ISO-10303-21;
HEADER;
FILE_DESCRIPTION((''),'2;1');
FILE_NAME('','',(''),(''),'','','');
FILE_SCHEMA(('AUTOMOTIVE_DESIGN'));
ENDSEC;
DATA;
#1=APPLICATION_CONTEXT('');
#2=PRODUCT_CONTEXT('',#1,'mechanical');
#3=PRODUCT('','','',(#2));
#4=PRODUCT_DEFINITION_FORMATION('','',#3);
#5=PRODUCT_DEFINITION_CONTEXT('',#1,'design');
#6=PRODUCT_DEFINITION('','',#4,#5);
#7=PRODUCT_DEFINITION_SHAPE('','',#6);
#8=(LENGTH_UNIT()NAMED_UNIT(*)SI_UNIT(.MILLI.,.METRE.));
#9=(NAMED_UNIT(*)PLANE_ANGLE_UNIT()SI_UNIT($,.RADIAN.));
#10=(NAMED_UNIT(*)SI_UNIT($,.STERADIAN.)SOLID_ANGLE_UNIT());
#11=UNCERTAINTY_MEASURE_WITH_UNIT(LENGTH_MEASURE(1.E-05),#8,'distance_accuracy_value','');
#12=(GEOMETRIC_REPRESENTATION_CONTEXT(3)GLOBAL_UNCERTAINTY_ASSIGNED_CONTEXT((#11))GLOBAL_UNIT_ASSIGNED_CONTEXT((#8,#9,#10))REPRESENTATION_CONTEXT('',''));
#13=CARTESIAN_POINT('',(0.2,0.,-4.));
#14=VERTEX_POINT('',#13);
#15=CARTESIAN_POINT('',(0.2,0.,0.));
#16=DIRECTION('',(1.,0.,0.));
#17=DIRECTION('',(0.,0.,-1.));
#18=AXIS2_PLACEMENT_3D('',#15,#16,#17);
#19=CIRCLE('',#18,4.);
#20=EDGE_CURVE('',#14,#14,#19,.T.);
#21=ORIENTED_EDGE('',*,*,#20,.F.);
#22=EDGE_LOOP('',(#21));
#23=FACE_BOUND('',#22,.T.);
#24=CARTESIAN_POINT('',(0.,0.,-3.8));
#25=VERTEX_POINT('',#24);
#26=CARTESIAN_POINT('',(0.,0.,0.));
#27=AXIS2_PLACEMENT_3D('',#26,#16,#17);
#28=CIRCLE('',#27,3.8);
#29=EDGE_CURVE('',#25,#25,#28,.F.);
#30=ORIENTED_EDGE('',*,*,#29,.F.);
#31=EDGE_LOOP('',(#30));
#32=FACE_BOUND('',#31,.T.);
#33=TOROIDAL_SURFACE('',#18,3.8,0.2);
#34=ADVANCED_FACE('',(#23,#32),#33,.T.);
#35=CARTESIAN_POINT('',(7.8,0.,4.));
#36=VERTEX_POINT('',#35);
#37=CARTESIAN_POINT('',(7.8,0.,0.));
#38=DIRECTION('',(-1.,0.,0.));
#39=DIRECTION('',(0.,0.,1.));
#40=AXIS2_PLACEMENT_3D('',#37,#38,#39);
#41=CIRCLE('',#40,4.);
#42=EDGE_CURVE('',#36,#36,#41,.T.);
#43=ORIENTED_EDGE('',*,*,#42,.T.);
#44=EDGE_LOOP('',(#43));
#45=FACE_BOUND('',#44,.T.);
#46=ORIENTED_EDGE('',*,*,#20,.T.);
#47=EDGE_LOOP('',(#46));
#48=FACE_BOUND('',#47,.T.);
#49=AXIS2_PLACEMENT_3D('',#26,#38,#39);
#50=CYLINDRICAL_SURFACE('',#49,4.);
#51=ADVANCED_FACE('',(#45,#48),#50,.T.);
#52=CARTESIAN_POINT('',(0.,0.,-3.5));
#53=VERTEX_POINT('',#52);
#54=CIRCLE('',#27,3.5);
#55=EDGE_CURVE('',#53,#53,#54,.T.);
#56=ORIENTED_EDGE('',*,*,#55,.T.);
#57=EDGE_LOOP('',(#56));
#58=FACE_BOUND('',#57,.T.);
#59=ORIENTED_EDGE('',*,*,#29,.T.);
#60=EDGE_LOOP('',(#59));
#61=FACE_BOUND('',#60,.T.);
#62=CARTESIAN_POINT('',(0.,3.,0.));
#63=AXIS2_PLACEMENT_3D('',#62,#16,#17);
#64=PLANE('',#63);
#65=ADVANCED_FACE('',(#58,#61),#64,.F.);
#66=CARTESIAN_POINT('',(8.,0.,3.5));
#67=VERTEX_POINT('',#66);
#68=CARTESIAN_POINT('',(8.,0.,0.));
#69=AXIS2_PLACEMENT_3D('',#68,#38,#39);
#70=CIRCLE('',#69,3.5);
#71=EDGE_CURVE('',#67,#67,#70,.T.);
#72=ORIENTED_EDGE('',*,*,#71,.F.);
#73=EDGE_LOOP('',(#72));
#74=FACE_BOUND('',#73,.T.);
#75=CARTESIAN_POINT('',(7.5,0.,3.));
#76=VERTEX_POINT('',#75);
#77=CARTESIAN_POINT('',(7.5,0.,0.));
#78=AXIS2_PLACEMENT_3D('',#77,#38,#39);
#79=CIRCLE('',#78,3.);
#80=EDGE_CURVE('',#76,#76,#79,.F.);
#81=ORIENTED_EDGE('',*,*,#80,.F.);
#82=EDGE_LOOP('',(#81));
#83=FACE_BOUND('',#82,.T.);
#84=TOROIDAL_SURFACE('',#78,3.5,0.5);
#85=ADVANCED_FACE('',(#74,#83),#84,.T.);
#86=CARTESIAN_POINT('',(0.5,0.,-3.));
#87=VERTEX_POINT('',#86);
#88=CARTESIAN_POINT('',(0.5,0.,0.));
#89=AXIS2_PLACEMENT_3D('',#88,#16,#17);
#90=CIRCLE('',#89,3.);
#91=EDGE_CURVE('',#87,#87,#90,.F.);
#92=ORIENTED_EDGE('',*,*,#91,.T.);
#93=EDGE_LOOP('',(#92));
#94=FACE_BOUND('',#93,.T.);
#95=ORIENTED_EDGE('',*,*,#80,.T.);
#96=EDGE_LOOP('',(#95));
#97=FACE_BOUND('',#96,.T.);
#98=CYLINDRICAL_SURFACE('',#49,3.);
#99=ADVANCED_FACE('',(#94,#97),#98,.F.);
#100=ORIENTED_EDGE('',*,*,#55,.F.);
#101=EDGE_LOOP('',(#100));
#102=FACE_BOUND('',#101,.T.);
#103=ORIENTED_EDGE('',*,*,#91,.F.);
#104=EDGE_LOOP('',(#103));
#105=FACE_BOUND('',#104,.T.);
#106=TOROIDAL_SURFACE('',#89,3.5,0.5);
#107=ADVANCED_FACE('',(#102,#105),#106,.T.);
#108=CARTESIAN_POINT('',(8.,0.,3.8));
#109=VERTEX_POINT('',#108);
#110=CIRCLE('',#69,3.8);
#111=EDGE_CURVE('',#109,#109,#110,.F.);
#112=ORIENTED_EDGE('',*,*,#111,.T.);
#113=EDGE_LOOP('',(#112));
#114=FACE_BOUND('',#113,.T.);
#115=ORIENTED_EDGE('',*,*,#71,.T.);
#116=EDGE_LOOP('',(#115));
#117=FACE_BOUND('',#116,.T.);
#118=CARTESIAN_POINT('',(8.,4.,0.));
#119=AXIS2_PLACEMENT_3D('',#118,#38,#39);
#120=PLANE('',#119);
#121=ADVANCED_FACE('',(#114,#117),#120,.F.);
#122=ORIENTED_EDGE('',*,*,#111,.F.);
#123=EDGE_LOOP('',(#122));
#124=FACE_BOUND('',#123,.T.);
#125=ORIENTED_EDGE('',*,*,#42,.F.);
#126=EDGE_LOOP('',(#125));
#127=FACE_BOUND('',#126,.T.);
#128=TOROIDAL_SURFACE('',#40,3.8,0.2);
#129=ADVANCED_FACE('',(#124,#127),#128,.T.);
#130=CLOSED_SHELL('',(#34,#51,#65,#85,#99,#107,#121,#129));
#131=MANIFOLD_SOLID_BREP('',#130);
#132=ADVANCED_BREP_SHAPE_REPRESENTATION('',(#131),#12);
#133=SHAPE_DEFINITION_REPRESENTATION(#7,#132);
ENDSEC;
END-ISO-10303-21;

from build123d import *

# Parameters (mm, degrees)
SKETCH1_W = 8
SKETCH1_H = 1
FILLET2_R = 0.2
FILLET3_R = 0.5


with BuildPart() as part:
    # Sketch1 → Revolve1 (revolve)
    with BuildSketch(Plane.XY):
        with Locations((4, 3.5)):
            Rectangle(SKETCH1_W, SKETCH1_H)
    revolve(axis=Axis((0, 0, 0), (1, 0, 0)))

    # Fillet2
    fillet2_edges = [part.edges().sort_by_distance(p)[0] for p in [
        (8, -4, 0),
        (0, -4, 0),
    ]]
    fillet(fillet2_edges, radius=FILLET2_R)

    # Fillet3
    fillet3_edges = [part.edges().sort_by_distance(p)[0] for p in [
        (8, -3, 0),
        (0, -3, 0),
    ]]
    fillet(fillet3_edges, radius=FILLET3_R)


solid = part.part
